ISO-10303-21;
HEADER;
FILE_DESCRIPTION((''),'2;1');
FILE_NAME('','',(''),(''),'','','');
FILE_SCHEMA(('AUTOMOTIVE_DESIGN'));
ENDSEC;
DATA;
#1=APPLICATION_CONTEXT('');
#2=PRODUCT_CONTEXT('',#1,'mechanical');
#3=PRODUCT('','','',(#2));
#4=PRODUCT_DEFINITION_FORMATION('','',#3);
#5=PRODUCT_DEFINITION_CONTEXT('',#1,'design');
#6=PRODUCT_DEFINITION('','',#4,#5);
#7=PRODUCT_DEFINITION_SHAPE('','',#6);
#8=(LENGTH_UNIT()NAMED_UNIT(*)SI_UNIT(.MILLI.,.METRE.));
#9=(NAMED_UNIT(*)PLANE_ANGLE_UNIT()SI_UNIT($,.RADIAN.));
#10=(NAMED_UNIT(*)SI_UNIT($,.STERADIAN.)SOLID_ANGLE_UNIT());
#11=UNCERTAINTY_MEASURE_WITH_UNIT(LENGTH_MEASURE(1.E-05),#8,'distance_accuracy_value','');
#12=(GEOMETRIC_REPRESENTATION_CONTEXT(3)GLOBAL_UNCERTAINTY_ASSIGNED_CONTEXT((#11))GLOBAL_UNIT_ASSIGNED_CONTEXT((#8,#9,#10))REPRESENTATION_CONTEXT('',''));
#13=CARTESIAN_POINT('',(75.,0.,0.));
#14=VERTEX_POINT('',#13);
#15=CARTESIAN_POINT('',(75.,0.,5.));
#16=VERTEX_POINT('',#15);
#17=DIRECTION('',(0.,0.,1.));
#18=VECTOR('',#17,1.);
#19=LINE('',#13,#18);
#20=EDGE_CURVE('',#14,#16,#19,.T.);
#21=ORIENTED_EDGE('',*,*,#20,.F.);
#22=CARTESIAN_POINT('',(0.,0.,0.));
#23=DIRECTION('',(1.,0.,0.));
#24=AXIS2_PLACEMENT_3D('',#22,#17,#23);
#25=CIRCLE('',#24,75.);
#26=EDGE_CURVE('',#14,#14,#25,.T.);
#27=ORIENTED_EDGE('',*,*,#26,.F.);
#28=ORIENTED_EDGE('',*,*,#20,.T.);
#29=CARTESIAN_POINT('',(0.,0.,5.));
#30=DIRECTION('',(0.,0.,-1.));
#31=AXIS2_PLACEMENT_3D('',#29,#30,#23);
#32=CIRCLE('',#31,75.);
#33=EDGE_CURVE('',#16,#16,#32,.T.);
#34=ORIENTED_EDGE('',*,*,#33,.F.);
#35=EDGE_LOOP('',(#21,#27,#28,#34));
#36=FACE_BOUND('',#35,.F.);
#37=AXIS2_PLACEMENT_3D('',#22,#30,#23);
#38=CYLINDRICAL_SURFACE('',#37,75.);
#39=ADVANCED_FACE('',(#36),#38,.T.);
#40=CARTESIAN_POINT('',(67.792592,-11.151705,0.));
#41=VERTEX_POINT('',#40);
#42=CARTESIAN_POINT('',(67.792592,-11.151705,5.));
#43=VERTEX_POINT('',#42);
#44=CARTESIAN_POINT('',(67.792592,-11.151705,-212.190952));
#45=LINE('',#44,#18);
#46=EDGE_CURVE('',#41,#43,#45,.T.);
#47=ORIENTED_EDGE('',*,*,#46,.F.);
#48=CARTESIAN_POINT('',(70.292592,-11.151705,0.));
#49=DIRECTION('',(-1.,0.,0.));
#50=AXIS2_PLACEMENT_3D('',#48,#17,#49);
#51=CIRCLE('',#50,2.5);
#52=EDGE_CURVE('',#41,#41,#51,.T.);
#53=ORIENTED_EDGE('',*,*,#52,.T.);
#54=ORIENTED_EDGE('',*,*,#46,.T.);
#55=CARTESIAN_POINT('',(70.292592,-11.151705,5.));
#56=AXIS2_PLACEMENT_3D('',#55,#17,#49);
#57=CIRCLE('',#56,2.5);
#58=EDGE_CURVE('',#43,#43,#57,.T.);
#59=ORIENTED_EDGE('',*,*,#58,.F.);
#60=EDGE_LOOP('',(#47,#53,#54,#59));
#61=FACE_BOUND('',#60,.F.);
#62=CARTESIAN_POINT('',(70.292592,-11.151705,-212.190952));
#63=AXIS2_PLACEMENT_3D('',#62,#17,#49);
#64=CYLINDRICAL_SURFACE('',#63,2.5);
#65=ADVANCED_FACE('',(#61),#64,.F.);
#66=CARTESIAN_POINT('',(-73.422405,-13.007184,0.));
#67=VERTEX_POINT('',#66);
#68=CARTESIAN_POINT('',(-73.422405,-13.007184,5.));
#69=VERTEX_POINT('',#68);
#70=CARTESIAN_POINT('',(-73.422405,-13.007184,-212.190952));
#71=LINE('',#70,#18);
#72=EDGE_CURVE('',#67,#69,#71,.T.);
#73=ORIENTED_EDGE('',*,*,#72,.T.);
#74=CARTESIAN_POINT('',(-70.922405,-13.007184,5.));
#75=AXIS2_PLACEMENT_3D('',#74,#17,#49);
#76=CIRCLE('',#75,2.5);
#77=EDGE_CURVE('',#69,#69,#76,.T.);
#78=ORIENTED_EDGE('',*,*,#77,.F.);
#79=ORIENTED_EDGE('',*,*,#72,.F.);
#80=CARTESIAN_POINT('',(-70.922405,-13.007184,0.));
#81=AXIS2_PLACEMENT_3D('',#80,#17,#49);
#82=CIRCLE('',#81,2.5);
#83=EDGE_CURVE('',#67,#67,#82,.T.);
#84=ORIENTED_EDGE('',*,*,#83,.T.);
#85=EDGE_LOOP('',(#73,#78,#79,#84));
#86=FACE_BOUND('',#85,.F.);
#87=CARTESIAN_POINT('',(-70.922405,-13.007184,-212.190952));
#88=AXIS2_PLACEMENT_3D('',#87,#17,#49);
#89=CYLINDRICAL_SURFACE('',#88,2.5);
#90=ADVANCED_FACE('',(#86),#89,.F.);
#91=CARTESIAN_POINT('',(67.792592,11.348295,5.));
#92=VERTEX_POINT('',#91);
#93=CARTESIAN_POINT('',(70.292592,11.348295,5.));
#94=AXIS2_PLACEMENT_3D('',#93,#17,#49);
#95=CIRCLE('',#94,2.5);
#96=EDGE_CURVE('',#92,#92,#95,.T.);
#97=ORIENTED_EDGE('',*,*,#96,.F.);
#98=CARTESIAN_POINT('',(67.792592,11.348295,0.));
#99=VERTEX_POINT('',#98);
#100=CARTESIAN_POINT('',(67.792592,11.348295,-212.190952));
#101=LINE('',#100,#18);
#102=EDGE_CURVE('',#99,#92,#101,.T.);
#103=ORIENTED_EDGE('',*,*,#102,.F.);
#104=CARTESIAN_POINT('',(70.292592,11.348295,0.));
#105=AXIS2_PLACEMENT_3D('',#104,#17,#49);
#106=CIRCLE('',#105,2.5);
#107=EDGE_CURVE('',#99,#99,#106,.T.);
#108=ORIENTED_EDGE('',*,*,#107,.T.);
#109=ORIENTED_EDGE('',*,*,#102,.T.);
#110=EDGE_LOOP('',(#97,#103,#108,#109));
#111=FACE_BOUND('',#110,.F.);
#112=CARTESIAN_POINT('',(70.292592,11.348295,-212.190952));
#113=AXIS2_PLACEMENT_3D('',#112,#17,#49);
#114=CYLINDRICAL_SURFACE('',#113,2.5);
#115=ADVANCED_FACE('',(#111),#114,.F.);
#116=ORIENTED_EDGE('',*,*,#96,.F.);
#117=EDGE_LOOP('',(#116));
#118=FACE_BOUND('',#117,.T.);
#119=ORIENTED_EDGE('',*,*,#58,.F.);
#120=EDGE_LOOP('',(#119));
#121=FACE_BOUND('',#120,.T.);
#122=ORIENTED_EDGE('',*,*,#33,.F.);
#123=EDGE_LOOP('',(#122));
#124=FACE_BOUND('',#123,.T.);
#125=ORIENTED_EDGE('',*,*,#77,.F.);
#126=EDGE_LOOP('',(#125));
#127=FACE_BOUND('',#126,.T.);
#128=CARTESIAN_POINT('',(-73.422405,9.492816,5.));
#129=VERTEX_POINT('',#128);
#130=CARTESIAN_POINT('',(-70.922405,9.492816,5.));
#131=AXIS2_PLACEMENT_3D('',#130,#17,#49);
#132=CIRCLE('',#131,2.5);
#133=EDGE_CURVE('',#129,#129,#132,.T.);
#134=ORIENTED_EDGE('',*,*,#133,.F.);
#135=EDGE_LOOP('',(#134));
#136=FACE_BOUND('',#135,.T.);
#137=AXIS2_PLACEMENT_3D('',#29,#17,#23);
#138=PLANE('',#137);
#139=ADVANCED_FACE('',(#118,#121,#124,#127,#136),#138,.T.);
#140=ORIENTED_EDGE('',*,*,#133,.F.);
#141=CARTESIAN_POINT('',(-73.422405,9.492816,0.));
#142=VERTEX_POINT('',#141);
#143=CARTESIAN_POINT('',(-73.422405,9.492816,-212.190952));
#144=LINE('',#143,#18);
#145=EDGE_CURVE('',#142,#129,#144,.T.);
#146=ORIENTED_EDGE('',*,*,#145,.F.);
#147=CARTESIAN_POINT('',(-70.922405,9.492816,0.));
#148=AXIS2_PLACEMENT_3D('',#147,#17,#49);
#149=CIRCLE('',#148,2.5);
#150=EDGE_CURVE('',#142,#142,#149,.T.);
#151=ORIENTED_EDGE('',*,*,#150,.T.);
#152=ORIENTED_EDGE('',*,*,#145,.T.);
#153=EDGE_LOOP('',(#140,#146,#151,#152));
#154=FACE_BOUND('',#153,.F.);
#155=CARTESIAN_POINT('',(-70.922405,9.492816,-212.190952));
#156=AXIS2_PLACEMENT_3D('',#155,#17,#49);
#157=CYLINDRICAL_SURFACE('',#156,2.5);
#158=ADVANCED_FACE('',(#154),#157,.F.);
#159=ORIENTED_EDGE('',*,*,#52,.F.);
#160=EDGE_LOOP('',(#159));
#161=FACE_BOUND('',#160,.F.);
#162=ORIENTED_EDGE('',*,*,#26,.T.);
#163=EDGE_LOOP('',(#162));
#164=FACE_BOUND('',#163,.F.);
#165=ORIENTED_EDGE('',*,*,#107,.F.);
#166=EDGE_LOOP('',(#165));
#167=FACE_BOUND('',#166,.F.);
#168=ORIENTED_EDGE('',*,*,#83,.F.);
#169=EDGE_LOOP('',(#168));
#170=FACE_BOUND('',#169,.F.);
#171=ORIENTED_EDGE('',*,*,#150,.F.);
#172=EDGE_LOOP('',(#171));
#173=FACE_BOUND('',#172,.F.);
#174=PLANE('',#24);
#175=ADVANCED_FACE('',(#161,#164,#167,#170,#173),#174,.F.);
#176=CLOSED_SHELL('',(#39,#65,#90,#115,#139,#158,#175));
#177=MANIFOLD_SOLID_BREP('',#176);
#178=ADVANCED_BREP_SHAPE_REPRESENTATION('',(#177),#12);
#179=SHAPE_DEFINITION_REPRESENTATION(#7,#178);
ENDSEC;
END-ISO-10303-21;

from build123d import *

# Parameters (mm, degrees)
F0_R       = 75
F1_DEPTH   = 5
F5_D       = 5
F5_ON_F2_D = 5


with BuildPart() as f1:
    # F0 (on Top) → F1 (new body)
    with BuildSketch(Plane.XY):
        Circle(F0_R)
    extrude(amount=F1_DEPTH)

    # F3: F1 across plane


with BuildPart() as f1_1:
    add(f1.part)
    add(f1.part.mirror(Plane.YZ))

    # F5 (through all)
    with Locations(Plane(origin=(0, 0, 0), x_dir=(1, 0, 0), z_dir=(0, 0, -1))):
        with Locations((-70.9224045277, -9.4928164221), (-70.9224045277, 13.0071835779)):
            Hole(F5_D / 2)

    # F5 on F2 (through all)
    with Locations(Plane(origin=(0, 0, 0), x_dir=(1, 0, 0), z_dir=(0, 0, -1))):
        with Locations((70.2925920486, -11.3482945785), (70.2925920486, 11.1517054215)):
            Hole(F5_ON_F2_D / 2)


solid = f1_1.part
